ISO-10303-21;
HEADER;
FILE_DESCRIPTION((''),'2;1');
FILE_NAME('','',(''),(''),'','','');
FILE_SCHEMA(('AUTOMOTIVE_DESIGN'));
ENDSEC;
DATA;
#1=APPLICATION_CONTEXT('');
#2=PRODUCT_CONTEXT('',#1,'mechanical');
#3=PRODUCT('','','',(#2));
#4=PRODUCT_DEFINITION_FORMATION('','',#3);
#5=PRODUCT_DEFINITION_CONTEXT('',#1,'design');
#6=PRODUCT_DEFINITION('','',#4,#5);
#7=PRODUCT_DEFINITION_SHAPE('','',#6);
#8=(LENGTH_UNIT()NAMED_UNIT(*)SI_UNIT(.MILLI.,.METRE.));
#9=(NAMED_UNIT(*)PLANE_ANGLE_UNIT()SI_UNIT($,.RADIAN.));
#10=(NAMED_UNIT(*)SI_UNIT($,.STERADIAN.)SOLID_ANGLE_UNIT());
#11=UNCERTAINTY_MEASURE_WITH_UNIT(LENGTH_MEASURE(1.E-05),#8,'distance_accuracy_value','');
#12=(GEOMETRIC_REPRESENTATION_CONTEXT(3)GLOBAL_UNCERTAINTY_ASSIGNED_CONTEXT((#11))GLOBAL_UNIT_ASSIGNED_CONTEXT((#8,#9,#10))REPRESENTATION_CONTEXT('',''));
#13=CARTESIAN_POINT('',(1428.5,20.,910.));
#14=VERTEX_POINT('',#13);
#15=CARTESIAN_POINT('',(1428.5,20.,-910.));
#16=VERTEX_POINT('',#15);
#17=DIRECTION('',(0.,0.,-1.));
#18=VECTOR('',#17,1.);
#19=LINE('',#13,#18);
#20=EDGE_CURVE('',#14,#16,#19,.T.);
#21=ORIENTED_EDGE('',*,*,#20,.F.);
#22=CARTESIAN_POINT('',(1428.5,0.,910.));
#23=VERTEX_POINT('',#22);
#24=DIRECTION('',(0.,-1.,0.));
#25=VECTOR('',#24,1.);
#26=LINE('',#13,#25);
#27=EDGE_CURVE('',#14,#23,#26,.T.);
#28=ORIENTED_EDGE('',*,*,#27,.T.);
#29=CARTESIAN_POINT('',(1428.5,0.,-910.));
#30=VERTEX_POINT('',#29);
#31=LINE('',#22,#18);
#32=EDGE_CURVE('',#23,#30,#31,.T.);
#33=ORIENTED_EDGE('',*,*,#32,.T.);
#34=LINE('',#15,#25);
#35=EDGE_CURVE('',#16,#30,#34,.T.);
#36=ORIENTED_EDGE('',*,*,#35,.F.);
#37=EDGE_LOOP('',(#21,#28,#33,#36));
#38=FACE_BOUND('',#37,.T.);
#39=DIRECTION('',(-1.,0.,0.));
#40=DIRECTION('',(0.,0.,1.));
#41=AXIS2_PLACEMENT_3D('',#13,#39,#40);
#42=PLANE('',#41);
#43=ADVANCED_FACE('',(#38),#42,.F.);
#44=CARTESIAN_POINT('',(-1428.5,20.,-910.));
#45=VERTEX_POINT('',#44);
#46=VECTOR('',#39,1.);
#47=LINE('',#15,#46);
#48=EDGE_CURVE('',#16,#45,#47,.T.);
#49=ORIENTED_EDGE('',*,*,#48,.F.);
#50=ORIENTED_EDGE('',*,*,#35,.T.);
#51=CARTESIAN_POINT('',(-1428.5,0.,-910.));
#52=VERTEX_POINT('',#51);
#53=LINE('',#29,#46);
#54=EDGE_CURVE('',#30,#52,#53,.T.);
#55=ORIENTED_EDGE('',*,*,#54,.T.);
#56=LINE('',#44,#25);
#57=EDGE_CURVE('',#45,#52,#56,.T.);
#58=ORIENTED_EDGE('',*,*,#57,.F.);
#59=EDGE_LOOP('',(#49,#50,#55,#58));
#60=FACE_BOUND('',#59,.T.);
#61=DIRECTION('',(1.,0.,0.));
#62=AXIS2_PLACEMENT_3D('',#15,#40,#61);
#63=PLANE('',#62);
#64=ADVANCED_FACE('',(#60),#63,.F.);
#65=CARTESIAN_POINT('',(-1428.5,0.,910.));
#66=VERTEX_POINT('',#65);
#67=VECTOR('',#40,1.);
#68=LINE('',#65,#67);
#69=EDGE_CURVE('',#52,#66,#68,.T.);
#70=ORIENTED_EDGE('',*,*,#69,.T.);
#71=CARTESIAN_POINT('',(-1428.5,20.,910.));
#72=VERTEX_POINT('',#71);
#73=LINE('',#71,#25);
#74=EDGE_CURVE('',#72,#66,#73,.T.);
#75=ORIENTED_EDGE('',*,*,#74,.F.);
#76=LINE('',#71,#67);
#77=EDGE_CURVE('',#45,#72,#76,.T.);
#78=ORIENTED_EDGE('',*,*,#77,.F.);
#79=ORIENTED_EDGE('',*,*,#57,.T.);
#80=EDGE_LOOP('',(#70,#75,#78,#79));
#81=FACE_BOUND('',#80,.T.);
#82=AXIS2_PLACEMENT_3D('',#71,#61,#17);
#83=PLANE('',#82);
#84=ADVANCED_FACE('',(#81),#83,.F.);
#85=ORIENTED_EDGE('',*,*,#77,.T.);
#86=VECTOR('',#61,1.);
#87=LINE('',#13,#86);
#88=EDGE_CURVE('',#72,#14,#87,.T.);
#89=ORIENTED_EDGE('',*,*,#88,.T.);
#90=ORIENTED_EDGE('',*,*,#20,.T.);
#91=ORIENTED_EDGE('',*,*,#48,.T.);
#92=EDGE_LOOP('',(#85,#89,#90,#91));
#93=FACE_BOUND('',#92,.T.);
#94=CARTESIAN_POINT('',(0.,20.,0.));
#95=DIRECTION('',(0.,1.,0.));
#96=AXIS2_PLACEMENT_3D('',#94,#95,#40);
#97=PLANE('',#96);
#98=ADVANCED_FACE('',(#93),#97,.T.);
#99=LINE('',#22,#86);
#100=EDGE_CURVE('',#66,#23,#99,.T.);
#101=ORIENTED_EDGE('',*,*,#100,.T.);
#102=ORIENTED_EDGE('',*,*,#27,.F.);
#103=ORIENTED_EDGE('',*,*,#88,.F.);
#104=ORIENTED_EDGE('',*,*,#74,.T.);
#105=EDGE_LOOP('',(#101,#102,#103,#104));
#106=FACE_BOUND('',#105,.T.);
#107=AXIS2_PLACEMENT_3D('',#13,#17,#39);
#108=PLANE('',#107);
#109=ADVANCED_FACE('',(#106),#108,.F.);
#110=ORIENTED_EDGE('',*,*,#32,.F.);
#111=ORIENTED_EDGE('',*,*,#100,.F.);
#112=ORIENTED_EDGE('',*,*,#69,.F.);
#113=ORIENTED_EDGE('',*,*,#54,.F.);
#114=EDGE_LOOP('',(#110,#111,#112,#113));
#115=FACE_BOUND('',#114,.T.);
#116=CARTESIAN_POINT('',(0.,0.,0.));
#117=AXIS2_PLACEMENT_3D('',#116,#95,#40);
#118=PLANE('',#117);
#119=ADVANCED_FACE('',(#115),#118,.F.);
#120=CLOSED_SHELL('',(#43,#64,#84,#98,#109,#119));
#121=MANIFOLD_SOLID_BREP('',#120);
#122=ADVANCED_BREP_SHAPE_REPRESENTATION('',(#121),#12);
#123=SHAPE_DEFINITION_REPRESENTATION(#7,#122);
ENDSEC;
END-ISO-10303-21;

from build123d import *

# Parameters (mm, degrees)
SCHIZZO1_W                   = 2857
SCHIZZO1_H                   = 1820
ESTRUSIONE_ESTRUSIONE1_DEPTH = 20


with BuildPart() as part:
    # Schizzo1 → Estrusione-Estrusione1 (new body)
    with BuildSketch(Plane(origin=(0, 0, 0), x_dir=(1, 0, 0), z_dir=(0, 1, 0))):
        Rectangle(SCHIZZO1_W, SCHIZZO1_H)
    extrude(amount=ESTRUSIONE_ESTRUSIONE1_DEPTH)


solid = part.part
